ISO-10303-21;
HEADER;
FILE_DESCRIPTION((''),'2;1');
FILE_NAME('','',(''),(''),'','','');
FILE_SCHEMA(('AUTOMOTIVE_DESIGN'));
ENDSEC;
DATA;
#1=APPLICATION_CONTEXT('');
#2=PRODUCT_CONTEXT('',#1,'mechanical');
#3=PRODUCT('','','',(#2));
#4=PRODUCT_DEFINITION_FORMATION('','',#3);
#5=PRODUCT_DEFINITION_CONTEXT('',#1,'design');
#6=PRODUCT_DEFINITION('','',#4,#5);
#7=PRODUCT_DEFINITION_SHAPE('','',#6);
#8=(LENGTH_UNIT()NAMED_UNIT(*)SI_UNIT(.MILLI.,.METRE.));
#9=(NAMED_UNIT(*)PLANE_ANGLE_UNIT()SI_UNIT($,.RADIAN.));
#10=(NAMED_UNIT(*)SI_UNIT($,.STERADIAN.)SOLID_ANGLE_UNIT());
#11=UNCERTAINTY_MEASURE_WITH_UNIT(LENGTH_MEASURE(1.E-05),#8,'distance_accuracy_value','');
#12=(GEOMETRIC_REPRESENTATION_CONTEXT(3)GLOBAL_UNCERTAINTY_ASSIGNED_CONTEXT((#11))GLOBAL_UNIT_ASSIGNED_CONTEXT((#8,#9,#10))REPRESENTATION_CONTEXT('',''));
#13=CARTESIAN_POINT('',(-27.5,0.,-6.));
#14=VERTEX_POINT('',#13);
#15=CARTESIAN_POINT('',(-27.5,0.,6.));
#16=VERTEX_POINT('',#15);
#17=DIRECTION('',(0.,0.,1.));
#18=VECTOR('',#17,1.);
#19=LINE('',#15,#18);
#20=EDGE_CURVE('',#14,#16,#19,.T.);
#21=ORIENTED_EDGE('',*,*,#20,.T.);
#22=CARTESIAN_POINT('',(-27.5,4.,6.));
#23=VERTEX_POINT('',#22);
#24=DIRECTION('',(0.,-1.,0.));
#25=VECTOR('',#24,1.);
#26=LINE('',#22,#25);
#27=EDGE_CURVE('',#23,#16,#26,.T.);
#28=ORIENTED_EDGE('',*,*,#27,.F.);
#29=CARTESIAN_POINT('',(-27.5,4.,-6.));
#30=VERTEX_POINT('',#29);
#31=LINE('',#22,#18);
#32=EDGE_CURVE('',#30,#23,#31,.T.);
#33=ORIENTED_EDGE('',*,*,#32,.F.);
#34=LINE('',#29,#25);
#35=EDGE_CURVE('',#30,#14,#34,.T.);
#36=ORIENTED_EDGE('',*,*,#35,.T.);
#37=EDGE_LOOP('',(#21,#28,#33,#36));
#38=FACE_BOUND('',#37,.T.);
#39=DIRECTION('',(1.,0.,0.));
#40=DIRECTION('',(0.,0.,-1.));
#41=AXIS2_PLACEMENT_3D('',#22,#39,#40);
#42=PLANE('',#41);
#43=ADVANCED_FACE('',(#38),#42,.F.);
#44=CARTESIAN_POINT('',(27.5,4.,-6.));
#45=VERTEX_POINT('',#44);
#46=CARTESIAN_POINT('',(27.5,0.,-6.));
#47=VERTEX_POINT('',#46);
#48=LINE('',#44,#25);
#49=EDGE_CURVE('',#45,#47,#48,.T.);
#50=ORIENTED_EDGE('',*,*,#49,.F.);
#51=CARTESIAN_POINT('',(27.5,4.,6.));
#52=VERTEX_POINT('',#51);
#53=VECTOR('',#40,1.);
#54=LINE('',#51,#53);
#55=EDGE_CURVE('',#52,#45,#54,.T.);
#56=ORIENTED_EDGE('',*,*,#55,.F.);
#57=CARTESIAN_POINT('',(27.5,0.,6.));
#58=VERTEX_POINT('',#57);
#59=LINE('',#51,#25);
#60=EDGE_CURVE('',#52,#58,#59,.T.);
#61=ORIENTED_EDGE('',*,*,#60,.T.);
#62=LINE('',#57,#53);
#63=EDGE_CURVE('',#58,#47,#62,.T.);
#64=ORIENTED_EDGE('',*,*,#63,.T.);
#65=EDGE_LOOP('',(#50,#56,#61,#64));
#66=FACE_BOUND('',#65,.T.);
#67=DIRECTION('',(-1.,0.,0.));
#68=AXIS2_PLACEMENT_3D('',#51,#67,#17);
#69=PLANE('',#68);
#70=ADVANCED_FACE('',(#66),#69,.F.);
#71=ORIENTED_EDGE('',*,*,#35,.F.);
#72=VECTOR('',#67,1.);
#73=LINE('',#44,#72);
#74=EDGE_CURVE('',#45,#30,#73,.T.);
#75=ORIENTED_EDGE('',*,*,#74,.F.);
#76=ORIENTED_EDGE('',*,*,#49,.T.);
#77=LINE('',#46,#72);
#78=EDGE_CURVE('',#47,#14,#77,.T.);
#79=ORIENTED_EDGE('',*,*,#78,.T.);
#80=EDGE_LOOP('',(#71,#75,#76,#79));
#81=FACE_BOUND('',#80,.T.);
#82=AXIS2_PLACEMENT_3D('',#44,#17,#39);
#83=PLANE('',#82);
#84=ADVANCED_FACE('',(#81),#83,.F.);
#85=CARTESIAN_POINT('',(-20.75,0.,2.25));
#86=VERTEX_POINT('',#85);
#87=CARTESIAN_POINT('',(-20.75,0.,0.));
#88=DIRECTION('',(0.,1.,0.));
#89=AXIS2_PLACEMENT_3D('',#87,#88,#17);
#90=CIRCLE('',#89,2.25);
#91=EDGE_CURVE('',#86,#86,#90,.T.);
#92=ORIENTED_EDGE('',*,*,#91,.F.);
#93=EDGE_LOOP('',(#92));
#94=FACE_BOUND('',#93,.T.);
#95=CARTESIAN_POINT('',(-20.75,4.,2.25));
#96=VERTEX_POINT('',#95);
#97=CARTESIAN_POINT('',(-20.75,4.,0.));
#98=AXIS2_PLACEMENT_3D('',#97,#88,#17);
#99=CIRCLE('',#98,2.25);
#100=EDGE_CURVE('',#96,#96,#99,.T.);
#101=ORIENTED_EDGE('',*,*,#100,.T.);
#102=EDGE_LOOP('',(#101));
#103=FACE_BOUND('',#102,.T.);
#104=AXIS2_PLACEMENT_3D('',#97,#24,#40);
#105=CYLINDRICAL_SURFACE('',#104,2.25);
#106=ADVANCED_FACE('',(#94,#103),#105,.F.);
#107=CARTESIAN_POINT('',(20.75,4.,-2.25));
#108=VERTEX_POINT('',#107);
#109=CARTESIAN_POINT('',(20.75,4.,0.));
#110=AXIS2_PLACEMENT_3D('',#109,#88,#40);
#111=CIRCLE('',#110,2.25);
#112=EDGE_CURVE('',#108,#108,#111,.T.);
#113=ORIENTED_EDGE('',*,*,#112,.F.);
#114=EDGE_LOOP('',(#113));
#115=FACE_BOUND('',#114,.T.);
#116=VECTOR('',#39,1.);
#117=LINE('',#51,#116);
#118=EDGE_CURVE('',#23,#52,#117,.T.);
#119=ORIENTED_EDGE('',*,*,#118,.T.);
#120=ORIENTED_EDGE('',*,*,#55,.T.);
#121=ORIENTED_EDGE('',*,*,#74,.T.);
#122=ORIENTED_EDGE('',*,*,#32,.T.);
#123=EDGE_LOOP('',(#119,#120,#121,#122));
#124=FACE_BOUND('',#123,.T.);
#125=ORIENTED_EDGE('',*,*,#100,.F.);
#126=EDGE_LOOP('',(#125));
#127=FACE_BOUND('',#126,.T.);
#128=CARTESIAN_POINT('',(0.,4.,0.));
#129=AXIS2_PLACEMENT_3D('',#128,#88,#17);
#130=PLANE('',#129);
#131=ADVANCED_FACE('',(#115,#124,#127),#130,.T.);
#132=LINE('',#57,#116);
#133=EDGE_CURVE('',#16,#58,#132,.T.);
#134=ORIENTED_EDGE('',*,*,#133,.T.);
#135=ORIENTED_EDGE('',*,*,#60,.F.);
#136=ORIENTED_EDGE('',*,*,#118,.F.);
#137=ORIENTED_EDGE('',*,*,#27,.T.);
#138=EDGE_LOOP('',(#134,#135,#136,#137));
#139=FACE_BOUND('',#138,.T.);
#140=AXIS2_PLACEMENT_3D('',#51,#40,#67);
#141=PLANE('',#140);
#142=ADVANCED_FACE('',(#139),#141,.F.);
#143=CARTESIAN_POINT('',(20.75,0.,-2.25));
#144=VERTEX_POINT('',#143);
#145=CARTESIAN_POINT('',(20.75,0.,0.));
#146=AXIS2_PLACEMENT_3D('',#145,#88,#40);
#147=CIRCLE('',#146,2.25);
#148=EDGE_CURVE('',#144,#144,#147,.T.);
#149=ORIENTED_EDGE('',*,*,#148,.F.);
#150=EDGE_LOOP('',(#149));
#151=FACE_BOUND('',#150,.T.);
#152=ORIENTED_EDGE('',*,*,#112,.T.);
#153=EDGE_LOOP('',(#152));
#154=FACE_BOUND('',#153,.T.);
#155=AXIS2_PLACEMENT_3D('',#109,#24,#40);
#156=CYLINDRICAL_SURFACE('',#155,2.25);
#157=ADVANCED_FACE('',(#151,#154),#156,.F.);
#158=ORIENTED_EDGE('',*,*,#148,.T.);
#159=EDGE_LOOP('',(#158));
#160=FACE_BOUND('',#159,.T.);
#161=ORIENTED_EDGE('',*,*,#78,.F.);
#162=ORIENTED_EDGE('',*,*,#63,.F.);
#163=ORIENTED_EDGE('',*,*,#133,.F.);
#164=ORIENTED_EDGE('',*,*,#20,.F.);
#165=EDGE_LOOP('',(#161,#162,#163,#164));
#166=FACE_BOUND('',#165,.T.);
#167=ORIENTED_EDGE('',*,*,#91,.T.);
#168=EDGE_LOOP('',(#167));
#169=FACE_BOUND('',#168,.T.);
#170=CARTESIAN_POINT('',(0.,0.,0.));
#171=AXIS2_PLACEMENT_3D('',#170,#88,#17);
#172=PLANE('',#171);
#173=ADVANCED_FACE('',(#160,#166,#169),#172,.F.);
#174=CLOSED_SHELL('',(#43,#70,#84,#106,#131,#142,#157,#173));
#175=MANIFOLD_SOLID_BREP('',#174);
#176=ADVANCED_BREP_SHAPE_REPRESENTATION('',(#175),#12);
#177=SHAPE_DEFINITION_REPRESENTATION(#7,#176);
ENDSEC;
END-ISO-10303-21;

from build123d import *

# Parameters (mm, degrees)
SKETCH_1_W      = 55
SKETCH_1_H      = 12
SKETCH_1_R      = 2.25
EXTRUDE_1_DEPTH = 4


with BuildPart() as part:
    # 草图1 → 凸台-拉伸1 (new body)
    with BuildSketch(Plane(origin=(0, 0, 0), x_dir=(1, 0, 0), z_dir=(0, 1, 0))):
        Rectangle(SKETCH_1_W, SKETCH_1_H)
        with Locations((-20.75, 0)):
            Circle(SKETCH_1_R, mode=Mode.SUBTRACT)
        with Locations((20.75, 0)):
            Circle(SKETCH_1_R, mode=Mode.SUBTRACT)
    extrude(amount=EXTRUDE_1_DEPTH)


solid = part.part
